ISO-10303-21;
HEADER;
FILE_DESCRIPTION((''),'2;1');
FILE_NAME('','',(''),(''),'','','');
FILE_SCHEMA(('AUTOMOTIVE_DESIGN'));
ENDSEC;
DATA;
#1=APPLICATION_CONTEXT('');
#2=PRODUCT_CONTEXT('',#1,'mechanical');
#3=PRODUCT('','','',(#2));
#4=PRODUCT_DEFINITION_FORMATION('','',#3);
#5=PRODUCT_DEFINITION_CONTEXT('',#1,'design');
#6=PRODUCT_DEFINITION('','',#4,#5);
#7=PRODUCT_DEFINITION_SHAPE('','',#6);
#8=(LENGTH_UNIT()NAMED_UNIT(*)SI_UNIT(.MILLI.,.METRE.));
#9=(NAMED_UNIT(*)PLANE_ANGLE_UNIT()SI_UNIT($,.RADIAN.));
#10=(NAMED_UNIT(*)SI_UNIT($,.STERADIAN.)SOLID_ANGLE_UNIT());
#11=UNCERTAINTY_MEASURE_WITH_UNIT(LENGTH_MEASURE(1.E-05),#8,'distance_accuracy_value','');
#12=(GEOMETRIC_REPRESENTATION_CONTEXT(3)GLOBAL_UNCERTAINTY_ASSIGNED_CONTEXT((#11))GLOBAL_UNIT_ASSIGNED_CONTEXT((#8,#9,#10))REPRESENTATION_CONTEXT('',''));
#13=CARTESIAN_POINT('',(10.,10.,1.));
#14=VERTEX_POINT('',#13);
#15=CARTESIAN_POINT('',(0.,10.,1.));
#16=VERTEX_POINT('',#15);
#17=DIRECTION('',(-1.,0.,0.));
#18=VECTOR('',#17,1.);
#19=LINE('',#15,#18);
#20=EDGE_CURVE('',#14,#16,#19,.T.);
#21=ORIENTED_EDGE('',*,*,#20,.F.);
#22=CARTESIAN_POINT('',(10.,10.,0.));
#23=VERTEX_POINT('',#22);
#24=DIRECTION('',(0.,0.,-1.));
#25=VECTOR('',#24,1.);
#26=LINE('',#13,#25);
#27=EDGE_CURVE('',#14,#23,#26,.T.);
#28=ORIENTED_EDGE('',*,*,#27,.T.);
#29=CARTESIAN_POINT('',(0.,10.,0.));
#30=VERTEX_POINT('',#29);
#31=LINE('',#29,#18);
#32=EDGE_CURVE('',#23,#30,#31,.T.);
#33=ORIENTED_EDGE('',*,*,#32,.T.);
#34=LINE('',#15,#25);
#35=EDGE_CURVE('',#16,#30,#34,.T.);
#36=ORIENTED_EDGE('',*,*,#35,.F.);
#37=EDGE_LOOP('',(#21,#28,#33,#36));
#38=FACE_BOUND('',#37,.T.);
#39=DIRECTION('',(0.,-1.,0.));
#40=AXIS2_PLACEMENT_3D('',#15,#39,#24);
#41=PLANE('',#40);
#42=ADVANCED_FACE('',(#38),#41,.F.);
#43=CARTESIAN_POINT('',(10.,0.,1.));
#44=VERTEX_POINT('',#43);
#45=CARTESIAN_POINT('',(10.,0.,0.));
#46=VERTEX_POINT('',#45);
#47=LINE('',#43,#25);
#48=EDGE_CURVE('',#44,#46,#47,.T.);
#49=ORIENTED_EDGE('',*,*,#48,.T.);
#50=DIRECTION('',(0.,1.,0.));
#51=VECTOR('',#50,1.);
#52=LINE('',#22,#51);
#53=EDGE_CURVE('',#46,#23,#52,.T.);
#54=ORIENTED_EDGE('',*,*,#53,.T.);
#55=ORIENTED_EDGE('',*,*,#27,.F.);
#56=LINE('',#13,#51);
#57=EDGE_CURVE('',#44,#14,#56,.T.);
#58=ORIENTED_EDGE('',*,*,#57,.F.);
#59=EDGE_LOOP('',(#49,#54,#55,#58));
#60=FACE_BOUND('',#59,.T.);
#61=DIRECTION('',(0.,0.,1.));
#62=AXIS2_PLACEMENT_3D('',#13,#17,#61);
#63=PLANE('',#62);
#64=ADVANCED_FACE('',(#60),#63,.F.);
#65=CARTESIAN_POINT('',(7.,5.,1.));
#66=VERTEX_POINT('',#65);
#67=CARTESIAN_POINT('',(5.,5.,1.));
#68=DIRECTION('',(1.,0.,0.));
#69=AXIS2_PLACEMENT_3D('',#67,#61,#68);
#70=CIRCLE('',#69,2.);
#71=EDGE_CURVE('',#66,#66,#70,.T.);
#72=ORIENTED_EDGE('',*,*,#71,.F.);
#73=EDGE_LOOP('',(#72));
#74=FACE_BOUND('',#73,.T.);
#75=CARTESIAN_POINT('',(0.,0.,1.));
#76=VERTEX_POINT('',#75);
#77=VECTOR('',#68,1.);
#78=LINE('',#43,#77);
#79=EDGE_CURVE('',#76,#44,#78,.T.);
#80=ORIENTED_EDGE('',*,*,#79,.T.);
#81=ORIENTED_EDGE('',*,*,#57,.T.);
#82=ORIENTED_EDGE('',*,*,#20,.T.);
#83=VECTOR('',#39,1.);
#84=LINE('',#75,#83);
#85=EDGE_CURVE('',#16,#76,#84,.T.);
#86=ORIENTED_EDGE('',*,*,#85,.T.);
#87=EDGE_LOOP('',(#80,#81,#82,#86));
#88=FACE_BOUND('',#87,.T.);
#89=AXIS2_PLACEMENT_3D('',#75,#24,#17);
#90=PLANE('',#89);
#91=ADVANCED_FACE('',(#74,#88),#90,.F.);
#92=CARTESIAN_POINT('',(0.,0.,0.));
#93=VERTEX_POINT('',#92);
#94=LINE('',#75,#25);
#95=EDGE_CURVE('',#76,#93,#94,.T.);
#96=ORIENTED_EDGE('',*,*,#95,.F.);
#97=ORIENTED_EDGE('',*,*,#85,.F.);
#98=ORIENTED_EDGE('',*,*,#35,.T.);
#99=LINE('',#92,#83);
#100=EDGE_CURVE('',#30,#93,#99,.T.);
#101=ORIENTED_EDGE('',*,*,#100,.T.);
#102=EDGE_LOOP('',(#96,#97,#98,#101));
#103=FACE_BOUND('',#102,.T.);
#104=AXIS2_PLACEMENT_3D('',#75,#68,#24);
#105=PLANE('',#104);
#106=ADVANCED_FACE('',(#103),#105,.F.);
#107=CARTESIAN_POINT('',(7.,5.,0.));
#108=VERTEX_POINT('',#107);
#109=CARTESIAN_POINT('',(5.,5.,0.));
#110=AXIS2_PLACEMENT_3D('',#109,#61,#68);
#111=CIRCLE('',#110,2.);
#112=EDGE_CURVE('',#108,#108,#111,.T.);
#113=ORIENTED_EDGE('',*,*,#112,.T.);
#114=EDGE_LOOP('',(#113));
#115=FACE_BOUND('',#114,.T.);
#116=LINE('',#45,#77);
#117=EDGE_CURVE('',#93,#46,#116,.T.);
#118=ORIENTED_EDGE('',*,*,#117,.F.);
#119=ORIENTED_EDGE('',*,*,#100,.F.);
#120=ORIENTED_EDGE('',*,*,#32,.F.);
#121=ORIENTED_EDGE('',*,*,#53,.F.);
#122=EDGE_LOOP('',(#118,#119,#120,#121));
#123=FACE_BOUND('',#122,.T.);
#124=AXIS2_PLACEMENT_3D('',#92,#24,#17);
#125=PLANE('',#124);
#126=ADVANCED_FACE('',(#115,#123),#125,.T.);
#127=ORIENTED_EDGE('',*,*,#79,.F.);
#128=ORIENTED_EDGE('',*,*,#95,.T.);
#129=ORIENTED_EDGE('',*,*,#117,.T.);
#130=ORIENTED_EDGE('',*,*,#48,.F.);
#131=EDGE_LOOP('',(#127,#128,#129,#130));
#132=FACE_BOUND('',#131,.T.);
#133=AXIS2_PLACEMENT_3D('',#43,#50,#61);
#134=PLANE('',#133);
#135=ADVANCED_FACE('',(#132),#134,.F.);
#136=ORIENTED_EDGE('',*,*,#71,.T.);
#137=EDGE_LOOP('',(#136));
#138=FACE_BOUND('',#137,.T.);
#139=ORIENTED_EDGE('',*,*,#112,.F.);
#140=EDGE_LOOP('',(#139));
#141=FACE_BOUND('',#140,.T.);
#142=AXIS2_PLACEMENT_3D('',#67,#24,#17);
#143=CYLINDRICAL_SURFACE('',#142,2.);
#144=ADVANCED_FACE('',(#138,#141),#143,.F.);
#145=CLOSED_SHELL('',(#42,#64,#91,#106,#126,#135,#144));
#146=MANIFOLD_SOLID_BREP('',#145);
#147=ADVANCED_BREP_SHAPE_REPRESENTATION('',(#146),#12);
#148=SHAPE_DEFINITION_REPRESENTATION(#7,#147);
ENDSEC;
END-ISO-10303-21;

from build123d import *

# Parameters (mm, degrees)
ESBO_O1_W                = 10
ESBO_O1_H                = 10
ESBO_O1_R                = 2
RESSALTO_EXTRUS_O1_DEPTH = 1


with BuildPart() as part:
    # Esboço1 → Ressalto-extrusão1 (new body)
    with BuildSketch(Plane.XY):
        with Locations((5, 5)):
            Rectangle(ESBO_O1_W, ESBO_O1_H)
        with Locations((5, 5)):
            Circle(ESBO_O1_R, mode=Mode.SUBTRACT)
    extrude(amount=RESSALTO_EXTRUS_O1_DEPTH)


solid = part.part
